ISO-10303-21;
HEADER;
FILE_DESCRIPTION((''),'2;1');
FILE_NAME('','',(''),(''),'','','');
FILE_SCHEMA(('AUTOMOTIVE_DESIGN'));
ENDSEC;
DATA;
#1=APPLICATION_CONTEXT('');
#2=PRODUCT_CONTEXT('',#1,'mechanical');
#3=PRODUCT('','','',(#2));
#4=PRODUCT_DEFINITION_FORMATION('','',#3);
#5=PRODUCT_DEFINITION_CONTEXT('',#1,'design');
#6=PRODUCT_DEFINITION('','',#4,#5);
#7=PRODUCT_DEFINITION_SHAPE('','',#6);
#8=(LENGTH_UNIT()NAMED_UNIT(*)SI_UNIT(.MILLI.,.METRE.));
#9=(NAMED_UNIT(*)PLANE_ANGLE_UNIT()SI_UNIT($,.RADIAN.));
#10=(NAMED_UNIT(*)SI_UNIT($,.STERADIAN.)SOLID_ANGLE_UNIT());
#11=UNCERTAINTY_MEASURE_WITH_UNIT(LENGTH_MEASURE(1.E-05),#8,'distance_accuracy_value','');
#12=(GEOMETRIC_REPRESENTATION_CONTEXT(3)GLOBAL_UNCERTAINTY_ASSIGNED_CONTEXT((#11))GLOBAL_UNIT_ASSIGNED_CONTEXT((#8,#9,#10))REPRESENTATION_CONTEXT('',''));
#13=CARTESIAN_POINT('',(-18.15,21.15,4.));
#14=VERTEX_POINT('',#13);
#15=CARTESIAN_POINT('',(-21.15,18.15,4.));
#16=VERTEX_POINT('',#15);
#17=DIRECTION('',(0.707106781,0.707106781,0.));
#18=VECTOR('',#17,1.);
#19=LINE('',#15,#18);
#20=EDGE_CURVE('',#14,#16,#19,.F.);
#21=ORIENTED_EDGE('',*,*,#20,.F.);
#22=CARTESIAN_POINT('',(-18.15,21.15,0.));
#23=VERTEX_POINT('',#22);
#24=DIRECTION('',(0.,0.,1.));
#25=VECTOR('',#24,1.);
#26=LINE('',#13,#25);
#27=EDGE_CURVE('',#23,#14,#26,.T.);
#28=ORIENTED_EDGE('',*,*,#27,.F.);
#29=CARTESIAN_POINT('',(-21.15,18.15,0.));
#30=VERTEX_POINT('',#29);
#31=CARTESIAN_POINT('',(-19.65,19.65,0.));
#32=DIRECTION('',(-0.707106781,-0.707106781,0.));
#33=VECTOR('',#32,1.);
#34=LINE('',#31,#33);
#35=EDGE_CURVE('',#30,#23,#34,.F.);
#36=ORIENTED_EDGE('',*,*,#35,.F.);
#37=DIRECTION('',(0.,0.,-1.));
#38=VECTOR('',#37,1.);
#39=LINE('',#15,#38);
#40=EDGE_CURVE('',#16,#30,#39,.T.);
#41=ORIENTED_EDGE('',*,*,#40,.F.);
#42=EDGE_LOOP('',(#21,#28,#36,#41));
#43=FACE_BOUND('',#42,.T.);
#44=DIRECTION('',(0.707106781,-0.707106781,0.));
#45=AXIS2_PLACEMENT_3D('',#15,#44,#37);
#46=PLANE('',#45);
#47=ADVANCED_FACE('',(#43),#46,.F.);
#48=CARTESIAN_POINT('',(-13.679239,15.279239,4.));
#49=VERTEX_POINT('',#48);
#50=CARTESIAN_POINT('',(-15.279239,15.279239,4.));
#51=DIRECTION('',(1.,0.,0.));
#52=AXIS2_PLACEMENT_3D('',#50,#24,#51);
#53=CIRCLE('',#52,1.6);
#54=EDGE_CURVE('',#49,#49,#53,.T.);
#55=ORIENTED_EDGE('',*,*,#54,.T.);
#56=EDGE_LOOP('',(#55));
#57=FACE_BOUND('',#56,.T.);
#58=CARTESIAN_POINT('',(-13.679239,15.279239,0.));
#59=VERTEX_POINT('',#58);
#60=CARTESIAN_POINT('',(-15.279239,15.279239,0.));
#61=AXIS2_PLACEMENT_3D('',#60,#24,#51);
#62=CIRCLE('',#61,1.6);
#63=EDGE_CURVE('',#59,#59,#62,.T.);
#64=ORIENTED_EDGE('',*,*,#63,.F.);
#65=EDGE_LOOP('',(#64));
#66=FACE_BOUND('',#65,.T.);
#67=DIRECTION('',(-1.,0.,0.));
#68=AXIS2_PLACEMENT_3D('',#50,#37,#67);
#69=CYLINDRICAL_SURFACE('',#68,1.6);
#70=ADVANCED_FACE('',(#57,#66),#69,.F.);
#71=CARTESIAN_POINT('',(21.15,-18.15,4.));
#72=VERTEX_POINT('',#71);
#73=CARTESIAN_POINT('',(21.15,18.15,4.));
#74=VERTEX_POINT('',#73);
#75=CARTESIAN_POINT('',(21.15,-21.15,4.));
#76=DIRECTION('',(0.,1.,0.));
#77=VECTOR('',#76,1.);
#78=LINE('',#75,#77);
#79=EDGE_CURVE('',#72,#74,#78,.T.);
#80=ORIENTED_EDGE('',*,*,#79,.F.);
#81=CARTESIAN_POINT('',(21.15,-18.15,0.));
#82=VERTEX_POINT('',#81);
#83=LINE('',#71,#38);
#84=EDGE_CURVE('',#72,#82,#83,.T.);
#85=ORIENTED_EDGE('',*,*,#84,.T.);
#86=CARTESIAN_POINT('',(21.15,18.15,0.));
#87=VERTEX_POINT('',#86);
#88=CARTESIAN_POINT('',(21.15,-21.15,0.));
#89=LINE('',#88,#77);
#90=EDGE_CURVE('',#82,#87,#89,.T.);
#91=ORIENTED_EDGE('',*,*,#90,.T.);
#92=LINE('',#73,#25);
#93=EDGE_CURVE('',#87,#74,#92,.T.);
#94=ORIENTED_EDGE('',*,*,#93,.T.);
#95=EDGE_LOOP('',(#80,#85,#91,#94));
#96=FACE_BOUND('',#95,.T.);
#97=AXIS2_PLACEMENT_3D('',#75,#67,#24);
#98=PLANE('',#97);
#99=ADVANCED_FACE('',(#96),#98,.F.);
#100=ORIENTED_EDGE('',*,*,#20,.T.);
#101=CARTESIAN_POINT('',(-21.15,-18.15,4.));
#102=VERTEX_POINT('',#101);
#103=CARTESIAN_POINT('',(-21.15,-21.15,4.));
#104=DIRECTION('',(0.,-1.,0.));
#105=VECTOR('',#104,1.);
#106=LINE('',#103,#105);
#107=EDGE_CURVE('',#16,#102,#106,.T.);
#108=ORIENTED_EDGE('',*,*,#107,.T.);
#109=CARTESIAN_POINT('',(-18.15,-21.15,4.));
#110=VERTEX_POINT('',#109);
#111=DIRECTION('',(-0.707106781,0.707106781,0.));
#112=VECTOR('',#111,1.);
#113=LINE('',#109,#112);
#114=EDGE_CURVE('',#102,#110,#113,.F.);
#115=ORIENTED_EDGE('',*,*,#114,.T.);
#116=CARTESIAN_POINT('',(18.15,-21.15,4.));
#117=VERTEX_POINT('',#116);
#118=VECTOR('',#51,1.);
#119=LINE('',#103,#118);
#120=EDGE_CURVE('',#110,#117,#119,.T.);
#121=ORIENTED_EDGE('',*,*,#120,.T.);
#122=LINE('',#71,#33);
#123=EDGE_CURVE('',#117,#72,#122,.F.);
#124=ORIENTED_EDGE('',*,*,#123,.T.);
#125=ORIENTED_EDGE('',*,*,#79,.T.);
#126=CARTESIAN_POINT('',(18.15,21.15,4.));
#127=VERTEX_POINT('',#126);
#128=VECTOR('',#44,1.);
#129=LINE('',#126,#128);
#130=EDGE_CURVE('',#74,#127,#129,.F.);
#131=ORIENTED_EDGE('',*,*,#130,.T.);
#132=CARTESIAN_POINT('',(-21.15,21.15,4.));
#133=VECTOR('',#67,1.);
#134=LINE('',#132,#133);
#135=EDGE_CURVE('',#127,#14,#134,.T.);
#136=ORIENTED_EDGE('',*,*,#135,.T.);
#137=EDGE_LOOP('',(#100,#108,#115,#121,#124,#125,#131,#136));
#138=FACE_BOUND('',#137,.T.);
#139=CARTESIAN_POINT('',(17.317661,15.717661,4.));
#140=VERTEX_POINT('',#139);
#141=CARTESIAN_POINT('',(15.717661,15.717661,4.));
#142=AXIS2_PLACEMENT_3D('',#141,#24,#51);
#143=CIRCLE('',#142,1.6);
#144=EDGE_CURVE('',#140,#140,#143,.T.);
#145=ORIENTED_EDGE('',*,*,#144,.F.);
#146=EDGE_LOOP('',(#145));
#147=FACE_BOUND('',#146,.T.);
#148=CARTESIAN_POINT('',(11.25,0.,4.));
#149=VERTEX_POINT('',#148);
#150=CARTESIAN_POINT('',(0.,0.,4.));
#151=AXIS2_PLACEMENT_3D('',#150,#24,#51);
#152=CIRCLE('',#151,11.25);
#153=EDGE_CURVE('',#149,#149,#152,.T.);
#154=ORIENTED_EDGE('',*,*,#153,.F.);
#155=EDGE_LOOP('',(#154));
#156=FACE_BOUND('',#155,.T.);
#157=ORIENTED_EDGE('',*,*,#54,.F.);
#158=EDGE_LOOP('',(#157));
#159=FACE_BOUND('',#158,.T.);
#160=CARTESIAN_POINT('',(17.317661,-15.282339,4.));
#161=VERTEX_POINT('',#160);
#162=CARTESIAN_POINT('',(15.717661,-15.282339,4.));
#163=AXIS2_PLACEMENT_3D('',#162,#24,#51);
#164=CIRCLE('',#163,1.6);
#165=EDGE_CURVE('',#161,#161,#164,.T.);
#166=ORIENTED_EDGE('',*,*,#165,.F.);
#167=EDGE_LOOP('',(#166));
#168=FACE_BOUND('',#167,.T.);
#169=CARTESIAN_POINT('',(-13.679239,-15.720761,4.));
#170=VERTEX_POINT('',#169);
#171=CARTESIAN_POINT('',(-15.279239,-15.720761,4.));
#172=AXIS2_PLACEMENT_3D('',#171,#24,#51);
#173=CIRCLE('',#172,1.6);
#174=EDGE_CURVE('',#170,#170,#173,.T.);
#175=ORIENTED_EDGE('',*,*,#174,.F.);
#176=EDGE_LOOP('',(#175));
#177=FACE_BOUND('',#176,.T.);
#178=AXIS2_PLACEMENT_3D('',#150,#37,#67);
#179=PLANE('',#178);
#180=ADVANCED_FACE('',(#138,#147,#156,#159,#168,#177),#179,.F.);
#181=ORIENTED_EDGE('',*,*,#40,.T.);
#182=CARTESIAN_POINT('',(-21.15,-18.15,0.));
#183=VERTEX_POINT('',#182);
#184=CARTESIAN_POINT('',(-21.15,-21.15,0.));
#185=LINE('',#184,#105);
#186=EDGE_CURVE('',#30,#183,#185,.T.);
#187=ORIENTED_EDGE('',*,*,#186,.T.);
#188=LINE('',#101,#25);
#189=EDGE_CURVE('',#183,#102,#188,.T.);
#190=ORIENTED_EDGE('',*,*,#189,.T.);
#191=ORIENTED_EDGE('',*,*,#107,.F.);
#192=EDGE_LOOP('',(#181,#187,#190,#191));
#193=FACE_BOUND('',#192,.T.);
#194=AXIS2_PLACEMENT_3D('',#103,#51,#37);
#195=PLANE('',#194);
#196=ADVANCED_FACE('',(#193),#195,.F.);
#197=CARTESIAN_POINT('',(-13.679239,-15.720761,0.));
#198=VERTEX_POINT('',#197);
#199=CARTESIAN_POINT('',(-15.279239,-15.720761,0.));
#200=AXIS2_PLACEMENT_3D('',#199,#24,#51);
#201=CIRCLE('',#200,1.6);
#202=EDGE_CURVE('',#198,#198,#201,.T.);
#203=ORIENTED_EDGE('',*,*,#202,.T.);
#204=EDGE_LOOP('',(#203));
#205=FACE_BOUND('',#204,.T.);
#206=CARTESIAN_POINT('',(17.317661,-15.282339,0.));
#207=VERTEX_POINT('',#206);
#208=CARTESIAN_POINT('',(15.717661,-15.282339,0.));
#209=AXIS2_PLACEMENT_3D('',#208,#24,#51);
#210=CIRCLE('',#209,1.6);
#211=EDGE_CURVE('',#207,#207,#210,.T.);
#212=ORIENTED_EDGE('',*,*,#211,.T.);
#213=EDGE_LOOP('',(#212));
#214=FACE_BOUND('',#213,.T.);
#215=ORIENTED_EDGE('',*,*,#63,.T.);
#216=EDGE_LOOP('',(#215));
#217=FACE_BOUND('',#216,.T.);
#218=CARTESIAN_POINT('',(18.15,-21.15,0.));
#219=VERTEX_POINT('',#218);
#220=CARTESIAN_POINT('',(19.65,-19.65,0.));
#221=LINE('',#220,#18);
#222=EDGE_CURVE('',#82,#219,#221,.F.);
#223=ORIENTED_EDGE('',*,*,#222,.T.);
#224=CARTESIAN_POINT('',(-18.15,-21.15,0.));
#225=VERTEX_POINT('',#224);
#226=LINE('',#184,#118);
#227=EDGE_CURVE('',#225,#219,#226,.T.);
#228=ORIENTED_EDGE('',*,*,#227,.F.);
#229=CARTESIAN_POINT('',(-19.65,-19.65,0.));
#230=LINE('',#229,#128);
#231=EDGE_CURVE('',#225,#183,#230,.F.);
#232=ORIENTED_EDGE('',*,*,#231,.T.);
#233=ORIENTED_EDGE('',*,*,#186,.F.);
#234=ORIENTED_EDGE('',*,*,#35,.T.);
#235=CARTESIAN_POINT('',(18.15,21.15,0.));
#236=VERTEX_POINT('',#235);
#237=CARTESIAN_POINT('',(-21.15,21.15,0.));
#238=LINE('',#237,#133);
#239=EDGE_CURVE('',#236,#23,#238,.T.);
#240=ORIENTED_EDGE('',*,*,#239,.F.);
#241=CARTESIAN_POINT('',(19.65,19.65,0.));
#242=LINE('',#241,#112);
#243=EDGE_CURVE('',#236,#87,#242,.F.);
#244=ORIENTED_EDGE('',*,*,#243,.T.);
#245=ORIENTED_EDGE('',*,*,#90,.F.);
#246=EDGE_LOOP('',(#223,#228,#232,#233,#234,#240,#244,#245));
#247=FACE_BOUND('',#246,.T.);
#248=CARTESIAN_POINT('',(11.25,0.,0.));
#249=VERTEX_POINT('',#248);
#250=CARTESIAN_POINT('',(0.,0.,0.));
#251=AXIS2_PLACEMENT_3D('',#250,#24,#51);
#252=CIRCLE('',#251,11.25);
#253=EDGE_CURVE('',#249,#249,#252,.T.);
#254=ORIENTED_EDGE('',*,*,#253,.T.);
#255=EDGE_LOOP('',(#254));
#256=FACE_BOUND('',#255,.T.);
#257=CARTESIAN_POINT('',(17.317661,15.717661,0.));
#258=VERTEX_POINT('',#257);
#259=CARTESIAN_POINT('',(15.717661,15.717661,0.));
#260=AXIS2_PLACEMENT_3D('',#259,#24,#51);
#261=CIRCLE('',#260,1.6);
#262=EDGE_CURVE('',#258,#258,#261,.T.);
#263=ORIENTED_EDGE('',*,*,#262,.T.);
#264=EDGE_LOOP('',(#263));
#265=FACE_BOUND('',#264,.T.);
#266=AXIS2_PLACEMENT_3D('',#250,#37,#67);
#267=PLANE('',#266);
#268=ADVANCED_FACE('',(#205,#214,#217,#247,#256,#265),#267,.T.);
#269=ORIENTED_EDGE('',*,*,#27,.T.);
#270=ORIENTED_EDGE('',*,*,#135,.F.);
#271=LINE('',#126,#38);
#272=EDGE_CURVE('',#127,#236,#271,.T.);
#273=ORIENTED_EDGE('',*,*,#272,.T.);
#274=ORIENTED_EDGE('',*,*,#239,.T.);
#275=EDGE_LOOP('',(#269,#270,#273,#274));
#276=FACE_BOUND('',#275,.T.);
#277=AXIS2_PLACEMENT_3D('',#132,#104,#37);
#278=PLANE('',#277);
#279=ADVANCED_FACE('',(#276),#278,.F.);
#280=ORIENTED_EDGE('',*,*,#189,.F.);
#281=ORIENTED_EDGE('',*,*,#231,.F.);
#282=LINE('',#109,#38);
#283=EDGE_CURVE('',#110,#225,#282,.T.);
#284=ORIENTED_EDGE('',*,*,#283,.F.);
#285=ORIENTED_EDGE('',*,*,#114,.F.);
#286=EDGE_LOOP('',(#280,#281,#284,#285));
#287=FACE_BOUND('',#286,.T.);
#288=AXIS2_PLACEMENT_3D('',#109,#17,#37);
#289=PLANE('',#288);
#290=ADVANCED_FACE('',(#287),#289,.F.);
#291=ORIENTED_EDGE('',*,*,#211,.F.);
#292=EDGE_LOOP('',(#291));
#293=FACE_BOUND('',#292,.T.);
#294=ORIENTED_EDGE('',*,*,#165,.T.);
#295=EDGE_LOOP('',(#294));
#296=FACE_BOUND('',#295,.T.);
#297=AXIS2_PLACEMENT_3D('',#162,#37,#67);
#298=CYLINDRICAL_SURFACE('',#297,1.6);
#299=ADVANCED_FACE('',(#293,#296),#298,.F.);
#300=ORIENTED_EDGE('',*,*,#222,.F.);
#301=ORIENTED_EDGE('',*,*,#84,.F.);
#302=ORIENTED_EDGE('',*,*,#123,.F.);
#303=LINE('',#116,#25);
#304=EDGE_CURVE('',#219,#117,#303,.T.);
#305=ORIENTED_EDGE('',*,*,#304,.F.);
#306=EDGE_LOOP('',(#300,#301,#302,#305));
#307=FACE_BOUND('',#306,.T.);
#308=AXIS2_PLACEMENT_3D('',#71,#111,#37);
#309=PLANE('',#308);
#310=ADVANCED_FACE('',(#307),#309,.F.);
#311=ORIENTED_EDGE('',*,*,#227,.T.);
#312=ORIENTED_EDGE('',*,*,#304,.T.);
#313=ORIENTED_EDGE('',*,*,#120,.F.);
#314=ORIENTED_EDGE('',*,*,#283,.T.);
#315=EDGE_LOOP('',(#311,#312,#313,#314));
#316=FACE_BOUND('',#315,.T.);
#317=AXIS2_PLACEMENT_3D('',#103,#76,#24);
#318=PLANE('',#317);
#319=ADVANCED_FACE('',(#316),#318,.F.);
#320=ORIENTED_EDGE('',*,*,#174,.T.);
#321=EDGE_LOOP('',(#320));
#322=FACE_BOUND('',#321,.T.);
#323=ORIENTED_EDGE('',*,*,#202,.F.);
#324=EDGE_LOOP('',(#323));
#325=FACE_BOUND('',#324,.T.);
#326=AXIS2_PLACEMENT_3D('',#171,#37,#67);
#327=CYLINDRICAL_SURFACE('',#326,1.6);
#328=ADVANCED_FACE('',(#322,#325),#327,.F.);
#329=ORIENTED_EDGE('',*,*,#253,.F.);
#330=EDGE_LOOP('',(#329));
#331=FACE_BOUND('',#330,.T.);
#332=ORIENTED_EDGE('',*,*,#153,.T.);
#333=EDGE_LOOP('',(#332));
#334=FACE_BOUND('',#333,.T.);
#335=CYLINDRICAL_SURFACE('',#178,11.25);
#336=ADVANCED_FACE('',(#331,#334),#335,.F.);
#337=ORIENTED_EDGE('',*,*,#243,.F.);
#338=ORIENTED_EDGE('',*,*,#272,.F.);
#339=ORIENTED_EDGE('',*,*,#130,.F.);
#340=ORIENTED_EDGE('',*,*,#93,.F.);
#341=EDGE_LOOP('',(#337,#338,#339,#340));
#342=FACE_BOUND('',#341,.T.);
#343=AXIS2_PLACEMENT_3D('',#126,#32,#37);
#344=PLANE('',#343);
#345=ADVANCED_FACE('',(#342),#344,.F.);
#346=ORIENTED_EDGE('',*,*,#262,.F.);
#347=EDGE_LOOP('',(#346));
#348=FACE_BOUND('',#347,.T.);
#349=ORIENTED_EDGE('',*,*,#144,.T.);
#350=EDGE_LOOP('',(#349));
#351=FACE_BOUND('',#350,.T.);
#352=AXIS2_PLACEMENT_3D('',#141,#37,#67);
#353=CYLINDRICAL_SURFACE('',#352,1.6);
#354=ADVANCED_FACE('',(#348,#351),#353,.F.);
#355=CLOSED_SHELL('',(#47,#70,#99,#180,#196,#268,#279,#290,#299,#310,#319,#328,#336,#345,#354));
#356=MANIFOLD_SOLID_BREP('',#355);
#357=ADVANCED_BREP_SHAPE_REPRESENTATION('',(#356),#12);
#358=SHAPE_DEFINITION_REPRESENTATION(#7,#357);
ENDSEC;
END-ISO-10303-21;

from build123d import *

# Parameters (mm, degrees)
SKETCH1_W           = 42.3
SKETCH1_H           = 42.3
SKETCH1_R           = 11.25
SKETCH1_R_2         = 1.6
BOSS_EXTRUDE1_DEPTH = 4
CHAMFER1_SIZE       = 3


with BuildPart() as part:
    # Sketch1 → Boss-Extrude1 (new body)
    with BuildSketch(Plane.XY):
        Rectangle(SKETCH1_W, SKETCH1_H)
        Circle(SKETCH1_R, mode=Mode.SUBTRACT)
        with Locations((15.717660824, 15.717660824)):
            Circle(SKETCH1_R_2, mode=Mode.SUBTRACT)
        with Locations((-15.279238797, 15.279238797)):
            Circle(SKETCH1_R_2, mode=Mode.SUBTRACT)
        with Locations((-15.279238797, -15.720761203)):
            Circle(SKETCH1_R_2, mode=Mode.SUBTRACT)
        with Locations((15.717660824, -15.282339176)):
            Circle(SKETCH1_R_2, mode=Mode.SUBTRACT)
    extrude(amount=BOSS_EXTRUDE1_DEPTH)

    # Chamfer1
    chamfer1_edges = [part.edges().sort_by_distance(p)[0] for p in [
        (21.15, -21.15, 2),
        (-21.15, -21.15, 2),
        (-21.15, 21.15, 2),
        (21.15, 21.15, 2),
    ]]
    chamfer(chamfer1_edges, length=CHAMFER1_SIZE)


solid = part.part
